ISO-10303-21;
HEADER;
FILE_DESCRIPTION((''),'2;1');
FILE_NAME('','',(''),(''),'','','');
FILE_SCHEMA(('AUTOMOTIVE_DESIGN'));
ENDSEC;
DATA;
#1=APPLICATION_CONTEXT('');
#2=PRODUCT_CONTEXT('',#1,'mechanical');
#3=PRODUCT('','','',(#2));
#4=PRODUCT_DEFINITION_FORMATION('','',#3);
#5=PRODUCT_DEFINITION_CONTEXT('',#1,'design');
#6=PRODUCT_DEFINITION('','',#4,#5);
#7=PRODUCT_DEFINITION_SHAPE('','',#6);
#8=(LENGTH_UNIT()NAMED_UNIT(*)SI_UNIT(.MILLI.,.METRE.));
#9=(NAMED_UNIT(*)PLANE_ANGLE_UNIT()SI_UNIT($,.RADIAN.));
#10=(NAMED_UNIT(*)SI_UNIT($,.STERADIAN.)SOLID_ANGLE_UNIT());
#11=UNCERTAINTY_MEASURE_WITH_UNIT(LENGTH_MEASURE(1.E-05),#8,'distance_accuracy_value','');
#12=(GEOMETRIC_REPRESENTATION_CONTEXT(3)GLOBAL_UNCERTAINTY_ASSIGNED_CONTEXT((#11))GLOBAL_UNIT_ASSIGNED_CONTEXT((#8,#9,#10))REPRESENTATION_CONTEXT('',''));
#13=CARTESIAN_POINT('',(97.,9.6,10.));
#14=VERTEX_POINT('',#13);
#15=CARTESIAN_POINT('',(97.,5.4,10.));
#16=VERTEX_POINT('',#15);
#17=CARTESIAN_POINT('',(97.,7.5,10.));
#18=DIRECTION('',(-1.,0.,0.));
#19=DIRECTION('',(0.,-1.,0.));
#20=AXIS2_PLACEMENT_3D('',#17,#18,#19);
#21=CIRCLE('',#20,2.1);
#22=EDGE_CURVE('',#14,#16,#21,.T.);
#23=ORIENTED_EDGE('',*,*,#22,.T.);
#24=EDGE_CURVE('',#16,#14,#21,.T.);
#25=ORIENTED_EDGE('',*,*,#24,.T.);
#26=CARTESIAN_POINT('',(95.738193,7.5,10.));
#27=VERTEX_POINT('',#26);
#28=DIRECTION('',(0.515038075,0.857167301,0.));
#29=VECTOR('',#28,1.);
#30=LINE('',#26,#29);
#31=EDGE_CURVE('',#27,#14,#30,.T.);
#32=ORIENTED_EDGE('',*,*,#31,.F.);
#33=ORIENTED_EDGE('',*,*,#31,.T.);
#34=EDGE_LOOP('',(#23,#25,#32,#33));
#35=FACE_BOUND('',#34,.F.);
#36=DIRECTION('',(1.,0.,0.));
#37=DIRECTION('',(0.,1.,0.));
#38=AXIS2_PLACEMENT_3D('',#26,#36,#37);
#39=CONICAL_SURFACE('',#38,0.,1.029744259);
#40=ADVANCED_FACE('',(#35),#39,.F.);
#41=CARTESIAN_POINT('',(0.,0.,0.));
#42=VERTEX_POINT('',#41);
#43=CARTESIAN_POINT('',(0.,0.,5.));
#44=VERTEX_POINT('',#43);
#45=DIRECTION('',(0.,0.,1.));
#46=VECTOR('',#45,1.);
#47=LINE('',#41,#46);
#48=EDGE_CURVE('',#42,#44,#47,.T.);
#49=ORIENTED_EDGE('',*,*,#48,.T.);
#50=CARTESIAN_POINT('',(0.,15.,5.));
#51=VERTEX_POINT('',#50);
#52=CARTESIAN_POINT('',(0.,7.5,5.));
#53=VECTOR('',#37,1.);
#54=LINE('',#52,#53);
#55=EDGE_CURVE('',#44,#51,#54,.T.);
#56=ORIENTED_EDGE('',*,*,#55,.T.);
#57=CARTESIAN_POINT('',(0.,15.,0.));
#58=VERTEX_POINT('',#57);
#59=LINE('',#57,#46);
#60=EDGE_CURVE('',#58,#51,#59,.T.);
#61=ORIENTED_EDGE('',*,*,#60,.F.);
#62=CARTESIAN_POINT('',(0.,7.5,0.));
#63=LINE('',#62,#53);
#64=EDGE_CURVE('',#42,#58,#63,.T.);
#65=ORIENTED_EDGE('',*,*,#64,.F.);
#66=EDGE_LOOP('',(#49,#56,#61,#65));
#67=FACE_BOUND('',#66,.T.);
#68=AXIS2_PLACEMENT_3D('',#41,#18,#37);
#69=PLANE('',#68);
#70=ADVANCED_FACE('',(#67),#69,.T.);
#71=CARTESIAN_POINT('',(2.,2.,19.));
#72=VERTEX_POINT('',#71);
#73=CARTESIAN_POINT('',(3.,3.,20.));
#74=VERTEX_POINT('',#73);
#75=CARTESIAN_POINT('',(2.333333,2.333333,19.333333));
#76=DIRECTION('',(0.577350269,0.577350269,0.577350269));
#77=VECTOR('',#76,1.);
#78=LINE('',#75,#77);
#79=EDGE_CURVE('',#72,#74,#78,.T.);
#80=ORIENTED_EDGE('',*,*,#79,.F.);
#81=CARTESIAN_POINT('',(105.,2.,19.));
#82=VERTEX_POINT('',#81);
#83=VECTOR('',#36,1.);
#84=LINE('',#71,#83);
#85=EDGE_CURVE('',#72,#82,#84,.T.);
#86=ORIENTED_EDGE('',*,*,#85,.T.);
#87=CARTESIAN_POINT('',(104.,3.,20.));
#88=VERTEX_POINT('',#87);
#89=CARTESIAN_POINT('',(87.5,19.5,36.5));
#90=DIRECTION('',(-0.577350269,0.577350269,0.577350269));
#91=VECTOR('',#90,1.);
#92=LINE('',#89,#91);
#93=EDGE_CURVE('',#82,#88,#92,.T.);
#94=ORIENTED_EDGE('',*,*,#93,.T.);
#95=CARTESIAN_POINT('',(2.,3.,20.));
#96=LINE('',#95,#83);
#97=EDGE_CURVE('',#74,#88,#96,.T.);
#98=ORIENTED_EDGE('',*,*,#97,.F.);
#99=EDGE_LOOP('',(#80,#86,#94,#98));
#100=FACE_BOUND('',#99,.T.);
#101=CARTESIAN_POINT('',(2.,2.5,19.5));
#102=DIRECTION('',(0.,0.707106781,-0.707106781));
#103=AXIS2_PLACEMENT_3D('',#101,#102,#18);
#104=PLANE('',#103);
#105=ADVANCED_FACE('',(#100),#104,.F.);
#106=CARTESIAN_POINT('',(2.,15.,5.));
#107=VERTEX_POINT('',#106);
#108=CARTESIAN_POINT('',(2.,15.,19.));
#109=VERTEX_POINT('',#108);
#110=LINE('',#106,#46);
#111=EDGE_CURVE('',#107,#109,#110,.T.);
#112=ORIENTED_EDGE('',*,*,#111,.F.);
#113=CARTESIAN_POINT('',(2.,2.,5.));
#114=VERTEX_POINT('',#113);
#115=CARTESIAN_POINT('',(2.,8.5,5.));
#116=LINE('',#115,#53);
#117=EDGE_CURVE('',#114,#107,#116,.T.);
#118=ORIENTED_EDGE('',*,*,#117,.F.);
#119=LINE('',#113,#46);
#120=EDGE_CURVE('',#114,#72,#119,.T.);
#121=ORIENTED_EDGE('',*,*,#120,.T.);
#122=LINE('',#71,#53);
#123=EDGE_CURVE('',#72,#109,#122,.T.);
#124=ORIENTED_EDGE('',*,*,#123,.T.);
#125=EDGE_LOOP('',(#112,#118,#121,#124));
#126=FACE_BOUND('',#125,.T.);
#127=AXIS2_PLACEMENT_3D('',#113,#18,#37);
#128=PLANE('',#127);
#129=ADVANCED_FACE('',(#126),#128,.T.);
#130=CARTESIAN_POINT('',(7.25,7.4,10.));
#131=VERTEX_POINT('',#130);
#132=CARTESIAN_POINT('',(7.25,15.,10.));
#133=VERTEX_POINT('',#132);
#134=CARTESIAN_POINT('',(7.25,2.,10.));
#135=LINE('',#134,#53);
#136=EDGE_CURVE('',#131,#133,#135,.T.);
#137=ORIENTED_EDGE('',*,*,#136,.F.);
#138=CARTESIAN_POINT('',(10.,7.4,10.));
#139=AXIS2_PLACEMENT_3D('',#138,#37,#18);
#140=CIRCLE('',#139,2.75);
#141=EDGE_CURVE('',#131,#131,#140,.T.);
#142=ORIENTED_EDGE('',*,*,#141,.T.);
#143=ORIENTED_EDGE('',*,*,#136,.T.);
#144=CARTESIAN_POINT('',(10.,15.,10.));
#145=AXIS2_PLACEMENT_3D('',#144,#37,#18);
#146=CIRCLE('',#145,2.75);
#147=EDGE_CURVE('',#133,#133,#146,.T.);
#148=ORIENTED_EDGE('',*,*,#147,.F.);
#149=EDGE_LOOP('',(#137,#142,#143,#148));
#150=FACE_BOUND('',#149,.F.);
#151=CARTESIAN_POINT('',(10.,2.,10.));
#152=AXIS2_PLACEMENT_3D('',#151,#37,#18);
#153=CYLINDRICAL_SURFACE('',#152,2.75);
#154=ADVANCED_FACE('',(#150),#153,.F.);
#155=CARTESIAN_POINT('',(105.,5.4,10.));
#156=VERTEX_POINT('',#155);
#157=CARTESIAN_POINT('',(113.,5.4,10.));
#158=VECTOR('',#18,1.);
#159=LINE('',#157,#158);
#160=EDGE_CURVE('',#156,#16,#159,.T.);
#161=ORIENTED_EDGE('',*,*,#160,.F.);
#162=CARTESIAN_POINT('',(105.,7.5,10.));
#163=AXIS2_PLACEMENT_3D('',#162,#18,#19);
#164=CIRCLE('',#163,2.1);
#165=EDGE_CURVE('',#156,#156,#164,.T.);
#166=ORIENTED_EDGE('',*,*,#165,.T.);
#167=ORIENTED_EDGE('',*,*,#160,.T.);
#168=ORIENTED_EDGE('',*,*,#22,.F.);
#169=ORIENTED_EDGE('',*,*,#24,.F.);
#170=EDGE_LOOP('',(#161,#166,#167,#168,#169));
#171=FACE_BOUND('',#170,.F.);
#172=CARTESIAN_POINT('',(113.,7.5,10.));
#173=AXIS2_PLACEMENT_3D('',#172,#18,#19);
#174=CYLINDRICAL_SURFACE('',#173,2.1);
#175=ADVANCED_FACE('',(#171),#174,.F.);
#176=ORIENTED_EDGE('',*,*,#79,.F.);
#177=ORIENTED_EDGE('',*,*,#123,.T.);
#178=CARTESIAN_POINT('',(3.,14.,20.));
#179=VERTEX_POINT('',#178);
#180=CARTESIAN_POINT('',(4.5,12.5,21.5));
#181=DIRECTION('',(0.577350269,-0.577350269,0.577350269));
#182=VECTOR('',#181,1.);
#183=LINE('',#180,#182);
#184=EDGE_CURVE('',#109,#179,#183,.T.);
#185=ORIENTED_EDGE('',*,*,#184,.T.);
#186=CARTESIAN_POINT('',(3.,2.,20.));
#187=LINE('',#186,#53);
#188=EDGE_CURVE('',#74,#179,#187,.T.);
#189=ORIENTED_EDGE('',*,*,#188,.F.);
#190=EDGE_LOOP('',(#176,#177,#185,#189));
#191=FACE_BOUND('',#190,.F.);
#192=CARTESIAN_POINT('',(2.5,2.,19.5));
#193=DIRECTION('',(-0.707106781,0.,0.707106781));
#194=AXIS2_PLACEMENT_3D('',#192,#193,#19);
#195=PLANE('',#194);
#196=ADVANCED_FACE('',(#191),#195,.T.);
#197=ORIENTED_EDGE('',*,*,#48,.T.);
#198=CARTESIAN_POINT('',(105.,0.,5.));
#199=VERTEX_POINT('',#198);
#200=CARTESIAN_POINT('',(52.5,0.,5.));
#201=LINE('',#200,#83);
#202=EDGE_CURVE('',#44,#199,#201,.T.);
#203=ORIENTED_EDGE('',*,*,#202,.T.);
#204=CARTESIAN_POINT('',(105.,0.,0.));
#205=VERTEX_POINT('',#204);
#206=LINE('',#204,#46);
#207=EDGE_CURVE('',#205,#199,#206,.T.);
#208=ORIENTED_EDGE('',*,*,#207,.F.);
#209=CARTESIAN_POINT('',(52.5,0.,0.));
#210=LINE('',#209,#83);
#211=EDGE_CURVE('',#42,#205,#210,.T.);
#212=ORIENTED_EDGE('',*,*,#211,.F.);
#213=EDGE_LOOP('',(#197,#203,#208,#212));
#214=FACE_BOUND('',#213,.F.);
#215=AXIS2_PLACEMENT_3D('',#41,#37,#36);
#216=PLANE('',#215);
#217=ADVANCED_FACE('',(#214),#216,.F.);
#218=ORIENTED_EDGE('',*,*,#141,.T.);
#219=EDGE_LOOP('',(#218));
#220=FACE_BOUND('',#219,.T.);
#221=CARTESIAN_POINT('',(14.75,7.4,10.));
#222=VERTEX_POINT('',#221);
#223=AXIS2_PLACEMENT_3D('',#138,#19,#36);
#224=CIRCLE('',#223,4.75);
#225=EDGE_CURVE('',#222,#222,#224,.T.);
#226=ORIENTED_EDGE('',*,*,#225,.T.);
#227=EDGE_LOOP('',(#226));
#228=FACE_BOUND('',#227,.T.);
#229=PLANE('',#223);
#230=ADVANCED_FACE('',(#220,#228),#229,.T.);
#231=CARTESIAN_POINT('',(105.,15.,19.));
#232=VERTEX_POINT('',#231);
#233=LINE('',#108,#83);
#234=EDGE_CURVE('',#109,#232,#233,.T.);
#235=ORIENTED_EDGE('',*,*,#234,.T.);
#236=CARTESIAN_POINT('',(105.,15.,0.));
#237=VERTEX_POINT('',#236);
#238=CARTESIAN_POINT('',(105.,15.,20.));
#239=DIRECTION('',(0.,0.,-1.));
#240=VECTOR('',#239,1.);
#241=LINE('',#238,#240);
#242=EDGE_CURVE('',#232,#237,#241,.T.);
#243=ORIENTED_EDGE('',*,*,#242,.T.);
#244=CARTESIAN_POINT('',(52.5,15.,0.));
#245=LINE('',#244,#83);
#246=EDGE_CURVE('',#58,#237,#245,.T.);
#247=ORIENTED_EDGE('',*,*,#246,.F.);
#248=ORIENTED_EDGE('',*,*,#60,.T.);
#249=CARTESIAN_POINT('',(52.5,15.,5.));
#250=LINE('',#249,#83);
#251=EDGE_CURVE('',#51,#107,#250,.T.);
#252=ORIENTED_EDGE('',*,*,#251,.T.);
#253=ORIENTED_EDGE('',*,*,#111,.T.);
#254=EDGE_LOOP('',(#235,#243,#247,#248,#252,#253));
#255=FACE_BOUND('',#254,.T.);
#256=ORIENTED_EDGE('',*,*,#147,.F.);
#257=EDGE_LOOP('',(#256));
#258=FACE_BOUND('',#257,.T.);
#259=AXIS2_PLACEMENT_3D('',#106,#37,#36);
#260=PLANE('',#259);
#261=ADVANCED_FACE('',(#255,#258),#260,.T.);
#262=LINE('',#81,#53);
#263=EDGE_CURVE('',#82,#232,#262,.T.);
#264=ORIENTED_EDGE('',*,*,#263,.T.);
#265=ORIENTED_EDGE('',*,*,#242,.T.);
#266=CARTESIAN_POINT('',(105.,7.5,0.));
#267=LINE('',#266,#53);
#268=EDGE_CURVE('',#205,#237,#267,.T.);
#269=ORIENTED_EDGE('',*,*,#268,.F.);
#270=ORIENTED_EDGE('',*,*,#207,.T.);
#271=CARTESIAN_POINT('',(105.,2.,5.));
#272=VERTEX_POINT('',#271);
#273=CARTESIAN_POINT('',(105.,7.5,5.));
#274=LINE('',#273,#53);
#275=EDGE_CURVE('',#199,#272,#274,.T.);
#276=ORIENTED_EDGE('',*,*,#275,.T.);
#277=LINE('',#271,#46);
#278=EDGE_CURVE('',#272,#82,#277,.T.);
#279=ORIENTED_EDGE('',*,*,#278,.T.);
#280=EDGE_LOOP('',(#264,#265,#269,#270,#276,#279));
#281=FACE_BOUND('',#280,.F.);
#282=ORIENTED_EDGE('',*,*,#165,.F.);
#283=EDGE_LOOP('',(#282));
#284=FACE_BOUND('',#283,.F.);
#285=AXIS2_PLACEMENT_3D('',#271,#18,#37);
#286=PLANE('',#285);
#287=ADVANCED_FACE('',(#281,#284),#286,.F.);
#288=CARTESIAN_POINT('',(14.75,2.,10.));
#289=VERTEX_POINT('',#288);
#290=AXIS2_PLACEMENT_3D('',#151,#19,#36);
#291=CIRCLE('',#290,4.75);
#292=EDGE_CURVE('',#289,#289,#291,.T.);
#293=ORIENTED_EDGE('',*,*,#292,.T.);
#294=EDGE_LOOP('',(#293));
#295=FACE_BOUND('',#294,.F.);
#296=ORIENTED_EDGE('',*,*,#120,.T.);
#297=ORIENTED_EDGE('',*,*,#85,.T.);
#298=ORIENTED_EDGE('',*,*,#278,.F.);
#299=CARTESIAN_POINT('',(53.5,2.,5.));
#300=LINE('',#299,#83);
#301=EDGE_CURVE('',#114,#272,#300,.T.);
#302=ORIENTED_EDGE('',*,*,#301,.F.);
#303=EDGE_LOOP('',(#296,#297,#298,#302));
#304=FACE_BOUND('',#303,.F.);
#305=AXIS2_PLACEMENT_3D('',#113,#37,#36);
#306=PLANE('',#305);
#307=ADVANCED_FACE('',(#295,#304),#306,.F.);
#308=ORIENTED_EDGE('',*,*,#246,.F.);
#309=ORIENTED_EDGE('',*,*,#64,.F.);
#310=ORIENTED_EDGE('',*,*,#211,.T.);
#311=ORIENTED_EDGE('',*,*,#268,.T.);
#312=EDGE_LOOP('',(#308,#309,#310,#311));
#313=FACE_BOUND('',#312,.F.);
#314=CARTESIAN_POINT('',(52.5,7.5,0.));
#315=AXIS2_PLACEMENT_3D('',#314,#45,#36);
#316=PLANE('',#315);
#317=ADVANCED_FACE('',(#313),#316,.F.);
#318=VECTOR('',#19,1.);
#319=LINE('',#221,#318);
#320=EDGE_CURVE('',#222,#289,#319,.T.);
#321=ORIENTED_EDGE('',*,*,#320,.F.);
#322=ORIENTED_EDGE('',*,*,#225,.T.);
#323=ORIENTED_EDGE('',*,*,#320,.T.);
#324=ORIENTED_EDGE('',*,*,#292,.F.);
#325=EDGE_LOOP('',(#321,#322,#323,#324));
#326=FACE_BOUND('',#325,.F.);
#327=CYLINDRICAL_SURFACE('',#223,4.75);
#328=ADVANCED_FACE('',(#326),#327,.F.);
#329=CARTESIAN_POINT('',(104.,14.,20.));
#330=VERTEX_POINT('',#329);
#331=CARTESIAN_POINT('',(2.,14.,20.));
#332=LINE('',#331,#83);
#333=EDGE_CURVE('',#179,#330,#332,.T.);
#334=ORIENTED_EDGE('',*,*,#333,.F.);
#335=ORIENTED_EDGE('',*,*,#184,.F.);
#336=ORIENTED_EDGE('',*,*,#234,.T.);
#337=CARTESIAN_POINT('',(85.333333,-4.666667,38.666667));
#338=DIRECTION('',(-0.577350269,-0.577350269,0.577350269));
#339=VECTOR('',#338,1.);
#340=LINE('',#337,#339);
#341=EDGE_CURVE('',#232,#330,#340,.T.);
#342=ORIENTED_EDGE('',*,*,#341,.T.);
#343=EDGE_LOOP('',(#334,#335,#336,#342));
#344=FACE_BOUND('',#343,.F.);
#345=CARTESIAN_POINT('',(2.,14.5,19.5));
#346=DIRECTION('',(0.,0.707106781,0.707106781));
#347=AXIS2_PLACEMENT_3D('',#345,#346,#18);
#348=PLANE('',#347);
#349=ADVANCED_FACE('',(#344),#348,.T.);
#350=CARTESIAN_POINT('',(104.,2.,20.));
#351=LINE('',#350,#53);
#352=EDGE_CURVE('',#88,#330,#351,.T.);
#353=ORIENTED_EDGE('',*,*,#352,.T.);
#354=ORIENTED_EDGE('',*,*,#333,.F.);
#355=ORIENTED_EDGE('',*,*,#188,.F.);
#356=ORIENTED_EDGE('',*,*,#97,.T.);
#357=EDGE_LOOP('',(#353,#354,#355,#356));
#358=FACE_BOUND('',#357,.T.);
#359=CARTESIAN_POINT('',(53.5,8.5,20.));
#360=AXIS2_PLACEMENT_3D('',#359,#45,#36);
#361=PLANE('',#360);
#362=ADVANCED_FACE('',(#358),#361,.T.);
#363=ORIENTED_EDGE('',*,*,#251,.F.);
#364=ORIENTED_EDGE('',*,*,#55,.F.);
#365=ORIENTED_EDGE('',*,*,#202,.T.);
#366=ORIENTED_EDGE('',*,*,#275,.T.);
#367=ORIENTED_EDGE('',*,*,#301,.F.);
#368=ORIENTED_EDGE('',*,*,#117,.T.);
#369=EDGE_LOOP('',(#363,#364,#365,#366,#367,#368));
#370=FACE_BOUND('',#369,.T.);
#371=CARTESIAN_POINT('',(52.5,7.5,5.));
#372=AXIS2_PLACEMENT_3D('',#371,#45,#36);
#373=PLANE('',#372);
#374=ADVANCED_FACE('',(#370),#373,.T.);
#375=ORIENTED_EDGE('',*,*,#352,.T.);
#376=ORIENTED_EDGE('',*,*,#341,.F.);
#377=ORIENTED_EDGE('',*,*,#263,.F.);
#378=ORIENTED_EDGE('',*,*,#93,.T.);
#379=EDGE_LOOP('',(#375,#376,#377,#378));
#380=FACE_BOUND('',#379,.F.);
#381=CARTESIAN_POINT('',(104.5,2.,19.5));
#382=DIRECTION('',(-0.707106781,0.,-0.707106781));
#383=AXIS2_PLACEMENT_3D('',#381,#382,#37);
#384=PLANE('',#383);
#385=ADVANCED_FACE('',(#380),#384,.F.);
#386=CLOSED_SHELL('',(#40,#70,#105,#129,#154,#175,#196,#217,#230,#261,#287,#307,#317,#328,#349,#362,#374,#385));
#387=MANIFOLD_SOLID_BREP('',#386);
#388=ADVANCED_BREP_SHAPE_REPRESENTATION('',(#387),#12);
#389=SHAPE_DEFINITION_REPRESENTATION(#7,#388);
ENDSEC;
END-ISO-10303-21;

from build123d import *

# Parameters (mm, degrees)
F0_W           = 105
F0_H           = 15
F1_DEPTH       = 5
F2_W           = 103
F2_H           = 13
F3_DEPTH       = 15
F5_D           = 4.2
F5_DEPTH       = 8
F5_TIP         = 1.2618073
F7_D           = 5.5
F7_CBORE_D     = 9.5
F7_CBORE_DEPTH = 5.4
F8_SIZE        = 1


with BuildPart() as f1:
    # F0 (on Top) → F1 (new body)
    with BuildSketch(Plane.XY):
        with Locations((52.5, 7.5)):
            Rectangle(F0_W, F0_H)
    extrude(amount=F1_DEPTH)

    # F2 (on face) → F3 (join)
    with BuildSketch(Plane.XY.offset(5)):
        with Locations((53.5, 8.5)):
            Rectangle(F2_W, F2_H)
    extrude(amount=F3_DEPTH)

    # F5
    with Locations(Plane.YZ.offset(105)):
        with Locations((7.5, 10)):
            Hole(F5_D / 2, depth=F5_DEPTH)
            with Locations((0, 0, -(F5_DEPTH + F5_TIP / 2))):  # 118° drill point
                Cone(0, F5_D / 2, F5_TIP, mode=Mode.SUBTRACT)

    # F7 (through all)
    with Locations(Plane.XZ.offset(-2)):
        with Locations((10, 10)):
            CounterBoreHole(F7_D / 2, F7_CBORE_D / 2, F7_CBORE_DEPTH)

    # F8
    f8_edges = [f1.edges().sort_by_distance(p)[0] for p in [
        (53.5, 2, 20),
        (53.5, 15, 20),
        (105, 8.5, 20),
        (2, 8.5, 20),
    ]]
    chamfer(f8_edges, length=F8_SIZE)


solid = f1.part
